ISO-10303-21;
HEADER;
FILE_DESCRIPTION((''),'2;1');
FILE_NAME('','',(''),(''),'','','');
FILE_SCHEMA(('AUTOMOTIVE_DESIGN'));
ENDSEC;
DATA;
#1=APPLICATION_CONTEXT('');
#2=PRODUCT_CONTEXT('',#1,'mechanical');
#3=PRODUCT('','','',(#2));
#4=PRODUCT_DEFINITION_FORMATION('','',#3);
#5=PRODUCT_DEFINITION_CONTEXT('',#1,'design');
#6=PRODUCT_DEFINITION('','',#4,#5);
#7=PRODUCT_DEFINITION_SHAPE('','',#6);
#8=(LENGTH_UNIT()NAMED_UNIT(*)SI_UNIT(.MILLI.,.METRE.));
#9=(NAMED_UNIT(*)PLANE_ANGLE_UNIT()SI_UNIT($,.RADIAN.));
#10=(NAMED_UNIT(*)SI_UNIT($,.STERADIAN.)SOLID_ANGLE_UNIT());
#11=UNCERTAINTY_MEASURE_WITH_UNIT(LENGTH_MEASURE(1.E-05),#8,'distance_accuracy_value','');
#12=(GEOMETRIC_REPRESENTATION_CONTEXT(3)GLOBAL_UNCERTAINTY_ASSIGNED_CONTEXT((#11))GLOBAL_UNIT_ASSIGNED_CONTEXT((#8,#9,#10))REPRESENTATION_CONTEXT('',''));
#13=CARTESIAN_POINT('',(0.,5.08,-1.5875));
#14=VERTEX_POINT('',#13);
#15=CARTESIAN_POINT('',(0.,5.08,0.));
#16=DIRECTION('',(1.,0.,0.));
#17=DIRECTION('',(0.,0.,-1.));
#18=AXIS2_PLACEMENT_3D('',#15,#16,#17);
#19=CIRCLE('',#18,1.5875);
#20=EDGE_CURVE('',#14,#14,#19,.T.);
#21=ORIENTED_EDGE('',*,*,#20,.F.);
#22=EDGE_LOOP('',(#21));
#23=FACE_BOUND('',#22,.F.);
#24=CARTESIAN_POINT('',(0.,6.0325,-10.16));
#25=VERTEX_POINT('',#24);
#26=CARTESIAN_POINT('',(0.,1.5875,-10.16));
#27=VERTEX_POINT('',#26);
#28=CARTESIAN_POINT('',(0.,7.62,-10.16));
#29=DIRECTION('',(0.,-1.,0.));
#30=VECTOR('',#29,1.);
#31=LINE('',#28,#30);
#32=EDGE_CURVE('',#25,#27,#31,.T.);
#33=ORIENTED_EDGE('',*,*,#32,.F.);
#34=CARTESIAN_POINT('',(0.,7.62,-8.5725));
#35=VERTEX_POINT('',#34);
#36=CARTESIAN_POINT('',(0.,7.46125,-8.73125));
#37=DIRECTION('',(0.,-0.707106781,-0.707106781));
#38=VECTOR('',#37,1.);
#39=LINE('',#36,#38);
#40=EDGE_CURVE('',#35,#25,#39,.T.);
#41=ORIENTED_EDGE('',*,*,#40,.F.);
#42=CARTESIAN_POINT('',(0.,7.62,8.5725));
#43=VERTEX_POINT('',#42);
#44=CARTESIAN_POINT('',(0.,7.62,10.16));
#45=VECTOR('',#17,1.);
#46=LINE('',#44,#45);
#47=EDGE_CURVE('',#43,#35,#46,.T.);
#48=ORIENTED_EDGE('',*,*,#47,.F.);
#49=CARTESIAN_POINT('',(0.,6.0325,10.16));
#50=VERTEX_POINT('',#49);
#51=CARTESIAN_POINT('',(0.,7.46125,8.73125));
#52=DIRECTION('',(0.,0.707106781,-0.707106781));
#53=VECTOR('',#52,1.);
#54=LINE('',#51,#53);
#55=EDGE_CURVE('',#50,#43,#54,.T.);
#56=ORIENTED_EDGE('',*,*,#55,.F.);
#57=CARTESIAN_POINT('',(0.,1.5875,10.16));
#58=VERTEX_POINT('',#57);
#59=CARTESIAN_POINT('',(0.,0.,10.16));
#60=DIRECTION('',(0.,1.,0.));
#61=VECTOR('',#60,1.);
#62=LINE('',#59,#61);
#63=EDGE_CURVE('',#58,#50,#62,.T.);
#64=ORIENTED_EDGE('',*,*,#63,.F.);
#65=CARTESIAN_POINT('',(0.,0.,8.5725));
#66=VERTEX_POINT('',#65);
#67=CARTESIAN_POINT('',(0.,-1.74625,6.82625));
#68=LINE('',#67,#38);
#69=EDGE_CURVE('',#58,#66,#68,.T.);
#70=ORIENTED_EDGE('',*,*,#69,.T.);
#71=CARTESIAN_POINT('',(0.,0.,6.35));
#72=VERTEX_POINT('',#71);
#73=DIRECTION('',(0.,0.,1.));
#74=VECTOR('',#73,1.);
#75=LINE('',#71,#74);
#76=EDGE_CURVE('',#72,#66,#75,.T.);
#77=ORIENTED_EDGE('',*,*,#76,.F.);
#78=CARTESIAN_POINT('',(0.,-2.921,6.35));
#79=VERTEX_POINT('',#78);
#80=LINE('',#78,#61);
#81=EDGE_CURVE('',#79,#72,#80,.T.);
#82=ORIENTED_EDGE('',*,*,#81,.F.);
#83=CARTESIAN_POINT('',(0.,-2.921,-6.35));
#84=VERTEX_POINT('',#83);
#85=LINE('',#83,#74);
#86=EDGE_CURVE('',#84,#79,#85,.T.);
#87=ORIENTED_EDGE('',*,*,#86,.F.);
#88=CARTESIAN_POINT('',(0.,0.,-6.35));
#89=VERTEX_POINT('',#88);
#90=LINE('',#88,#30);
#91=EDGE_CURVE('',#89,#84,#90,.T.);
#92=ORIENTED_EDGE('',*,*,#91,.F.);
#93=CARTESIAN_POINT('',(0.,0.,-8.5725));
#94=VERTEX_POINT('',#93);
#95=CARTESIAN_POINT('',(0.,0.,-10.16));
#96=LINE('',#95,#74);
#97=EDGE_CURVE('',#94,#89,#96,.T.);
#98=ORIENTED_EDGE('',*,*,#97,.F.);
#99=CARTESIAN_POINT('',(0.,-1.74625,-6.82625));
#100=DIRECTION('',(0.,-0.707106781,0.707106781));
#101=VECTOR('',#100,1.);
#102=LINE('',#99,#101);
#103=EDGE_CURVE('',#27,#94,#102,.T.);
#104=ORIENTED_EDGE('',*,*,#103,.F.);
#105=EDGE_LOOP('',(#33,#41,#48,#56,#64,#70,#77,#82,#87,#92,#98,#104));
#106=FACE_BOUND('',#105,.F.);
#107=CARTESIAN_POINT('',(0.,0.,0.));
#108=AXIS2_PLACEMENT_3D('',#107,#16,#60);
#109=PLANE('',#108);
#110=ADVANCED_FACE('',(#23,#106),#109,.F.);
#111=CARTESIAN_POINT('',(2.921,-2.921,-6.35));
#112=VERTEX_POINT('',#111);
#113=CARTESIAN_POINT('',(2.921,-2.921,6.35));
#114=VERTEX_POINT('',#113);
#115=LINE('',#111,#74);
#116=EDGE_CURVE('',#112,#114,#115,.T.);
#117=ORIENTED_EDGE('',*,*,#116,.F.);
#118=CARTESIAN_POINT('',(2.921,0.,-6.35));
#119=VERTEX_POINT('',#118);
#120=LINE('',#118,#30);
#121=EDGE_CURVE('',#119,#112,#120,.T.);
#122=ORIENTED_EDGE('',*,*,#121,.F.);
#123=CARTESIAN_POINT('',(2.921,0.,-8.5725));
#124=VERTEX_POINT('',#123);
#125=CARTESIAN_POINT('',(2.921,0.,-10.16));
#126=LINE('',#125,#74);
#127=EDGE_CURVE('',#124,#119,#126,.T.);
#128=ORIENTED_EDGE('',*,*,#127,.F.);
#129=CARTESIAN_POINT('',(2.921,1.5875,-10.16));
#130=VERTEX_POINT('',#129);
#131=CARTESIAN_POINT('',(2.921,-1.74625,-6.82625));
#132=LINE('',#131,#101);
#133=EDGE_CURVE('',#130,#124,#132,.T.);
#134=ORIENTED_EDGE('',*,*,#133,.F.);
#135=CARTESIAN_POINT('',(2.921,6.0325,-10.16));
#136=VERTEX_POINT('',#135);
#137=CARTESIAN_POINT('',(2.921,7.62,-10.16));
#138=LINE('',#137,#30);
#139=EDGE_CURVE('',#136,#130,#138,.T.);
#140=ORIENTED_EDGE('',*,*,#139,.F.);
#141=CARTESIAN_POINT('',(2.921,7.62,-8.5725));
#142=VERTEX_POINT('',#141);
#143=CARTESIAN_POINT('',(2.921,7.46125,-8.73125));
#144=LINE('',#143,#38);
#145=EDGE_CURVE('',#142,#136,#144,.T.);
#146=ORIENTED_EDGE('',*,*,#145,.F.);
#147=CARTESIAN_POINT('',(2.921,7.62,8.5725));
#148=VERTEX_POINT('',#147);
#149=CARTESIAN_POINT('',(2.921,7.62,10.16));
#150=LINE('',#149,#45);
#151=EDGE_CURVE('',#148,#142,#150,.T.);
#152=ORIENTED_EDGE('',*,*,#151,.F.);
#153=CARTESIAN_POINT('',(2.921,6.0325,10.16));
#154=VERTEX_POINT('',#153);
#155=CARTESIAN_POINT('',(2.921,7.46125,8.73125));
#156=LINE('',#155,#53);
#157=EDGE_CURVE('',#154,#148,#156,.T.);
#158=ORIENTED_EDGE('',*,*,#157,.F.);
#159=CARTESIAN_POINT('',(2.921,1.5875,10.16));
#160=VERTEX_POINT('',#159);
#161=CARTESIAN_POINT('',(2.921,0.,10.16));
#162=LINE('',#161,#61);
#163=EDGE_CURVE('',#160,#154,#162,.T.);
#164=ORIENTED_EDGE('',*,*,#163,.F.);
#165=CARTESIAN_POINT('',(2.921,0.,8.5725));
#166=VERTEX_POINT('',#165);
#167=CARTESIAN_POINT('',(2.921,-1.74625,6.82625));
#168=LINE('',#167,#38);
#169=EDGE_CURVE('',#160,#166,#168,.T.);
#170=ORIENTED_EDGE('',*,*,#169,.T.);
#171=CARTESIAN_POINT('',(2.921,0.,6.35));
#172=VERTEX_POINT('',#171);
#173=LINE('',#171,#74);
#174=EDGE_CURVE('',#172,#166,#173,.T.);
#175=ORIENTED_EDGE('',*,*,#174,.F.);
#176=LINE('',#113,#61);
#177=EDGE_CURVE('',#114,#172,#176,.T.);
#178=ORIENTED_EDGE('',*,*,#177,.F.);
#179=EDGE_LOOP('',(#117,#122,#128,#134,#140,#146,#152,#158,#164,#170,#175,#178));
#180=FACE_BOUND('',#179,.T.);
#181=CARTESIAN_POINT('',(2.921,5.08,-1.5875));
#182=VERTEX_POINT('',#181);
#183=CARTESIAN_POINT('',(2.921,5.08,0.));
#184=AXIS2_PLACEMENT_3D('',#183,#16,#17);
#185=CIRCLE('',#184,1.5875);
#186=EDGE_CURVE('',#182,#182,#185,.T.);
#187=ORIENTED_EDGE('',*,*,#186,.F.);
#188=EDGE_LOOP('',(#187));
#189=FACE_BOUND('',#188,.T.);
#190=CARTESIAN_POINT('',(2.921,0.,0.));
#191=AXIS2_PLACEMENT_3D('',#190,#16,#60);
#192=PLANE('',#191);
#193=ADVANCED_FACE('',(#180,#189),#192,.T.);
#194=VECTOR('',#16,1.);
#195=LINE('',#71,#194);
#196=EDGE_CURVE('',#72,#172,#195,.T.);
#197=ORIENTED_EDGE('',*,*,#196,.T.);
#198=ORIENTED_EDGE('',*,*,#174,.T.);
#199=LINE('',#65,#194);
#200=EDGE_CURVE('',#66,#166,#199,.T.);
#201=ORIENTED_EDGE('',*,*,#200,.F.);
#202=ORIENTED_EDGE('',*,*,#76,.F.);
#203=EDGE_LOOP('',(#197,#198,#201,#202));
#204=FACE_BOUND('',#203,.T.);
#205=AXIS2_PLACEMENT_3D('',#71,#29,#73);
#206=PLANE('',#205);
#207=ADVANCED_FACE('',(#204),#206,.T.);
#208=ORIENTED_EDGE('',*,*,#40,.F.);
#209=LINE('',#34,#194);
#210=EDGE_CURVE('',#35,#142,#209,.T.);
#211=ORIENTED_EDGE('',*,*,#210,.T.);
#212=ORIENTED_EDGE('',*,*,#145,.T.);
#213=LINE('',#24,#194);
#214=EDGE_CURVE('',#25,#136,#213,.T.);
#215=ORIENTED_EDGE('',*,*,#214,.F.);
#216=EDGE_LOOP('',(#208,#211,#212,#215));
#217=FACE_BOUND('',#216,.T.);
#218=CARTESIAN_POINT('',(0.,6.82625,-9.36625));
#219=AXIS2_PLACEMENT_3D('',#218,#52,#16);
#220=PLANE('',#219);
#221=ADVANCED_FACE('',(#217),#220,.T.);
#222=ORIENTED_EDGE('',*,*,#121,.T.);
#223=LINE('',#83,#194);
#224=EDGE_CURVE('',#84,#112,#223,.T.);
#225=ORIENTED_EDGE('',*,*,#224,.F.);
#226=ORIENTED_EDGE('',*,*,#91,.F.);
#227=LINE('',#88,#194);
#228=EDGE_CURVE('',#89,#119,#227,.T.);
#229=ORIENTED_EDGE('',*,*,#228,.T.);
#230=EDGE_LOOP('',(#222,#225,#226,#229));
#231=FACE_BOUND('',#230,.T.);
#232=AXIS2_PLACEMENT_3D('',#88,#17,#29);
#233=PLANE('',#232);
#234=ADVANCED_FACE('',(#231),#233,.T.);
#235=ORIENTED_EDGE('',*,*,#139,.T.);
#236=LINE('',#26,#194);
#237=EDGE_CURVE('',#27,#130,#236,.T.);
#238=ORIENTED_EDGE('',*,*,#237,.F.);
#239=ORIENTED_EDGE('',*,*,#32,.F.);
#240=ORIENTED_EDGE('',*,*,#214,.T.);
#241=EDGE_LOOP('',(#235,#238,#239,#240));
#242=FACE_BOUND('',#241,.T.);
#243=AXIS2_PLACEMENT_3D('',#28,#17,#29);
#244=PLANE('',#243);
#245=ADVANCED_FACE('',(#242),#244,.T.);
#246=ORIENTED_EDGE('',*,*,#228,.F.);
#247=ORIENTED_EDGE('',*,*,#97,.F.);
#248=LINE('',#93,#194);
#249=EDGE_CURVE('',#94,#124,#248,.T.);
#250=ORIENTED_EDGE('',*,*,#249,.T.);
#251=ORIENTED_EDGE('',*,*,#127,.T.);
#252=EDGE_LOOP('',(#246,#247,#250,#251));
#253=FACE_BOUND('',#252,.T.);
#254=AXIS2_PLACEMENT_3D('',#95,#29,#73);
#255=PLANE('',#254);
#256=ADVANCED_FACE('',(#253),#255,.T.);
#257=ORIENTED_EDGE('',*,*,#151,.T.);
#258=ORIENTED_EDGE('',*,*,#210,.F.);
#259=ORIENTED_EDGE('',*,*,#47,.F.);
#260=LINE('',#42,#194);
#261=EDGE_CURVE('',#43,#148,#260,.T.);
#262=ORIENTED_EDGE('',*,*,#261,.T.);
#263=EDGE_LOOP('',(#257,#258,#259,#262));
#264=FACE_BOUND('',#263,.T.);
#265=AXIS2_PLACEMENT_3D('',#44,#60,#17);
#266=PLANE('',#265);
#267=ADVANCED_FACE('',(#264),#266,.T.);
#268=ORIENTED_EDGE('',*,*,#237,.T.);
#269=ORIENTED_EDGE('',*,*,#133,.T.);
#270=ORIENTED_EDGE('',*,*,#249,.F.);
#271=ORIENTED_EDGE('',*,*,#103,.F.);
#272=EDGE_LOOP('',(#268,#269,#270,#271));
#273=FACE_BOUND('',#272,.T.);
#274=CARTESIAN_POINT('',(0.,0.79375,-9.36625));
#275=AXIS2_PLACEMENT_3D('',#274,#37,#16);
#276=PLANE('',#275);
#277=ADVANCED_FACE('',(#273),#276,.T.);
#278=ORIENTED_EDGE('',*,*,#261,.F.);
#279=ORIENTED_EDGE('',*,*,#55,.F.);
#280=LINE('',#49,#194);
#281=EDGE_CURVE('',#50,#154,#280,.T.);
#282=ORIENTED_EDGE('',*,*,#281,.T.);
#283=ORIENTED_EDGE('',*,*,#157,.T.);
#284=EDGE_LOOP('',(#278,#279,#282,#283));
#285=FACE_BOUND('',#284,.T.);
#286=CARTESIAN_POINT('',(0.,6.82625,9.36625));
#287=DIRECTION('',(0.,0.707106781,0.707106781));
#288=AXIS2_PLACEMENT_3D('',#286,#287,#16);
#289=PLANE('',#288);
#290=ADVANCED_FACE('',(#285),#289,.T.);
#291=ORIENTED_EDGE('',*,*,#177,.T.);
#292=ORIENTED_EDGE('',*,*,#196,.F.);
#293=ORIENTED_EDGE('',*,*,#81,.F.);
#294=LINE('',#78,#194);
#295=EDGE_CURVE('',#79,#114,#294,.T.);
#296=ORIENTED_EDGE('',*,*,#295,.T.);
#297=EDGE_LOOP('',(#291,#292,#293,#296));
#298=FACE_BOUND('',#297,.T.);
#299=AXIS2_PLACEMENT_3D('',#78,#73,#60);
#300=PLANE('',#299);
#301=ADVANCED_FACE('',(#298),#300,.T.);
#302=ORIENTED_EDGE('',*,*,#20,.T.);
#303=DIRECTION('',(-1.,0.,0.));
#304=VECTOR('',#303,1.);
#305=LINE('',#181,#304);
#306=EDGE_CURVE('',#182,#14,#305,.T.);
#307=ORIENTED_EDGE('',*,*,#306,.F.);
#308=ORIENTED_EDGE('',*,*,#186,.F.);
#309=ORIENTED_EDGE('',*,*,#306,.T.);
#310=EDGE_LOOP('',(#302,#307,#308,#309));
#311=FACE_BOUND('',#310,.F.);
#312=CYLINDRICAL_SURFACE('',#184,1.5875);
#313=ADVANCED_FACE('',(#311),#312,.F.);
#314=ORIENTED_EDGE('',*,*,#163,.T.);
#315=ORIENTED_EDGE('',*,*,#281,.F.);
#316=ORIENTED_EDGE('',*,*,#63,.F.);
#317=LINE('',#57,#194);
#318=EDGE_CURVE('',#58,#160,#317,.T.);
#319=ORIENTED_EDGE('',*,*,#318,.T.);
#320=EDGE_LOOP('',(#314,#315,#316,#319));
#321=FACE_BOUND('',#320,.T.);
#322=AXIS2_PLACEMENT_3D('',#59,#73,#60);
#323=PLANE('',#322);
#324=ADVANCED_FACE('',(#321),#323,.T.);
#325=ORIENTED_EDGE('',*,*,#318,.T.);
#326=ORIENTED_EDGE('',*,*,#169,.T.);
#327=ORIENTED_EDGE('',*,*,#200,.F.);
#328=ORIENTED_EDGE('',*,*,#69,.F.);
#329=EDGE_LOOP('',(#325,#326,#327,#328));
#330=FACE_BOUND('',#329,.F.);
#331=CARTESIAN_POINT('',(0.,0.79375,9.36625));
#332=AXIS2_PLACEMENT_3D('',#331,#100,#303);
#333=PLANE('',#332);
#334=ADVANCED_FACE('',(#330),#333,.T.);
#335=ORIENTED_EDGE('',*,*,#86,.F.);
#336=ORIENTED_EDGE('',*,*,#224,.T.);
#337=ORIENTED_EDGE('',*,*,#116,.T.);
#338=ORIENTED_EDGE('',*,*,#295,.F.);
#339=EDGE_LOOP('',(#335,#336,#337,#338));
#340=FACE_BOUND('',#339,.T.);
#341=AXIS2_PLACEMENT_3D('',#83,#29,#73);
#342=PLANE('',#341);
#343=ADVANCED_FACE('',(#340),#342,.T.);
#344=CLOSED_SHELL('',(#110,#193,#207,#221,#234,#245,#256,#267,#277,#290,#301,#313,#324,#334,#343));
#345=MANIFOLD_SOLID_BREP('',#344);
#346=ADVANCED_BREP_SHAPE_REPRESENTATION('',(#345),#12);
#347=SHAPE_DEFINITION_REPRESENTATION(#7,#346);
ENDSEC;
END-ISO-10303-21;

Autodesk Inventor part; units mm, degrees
ref_plane "YZ Plane" through (0, 0, 0) normal (1, 0, 0) x (0, 1, 0)
ref_plane "XZ Plane" through (0, 0, 0) normal (0, 1, 0) x (-1, 0, 0)
ref_plane "XY Plane" through (0, 0, 0) normal (0, 0, 1) x (1, 0, 0)
sketch "Sketch1" plane through (0, 0, 0) normal (1, 0, 0) x (0, 1, 0)
  line L0 (0, 10.16) -> (7.62, 10.16)
  line L1 (7.62, 10.16) -> (7.62, -10.16)
  line L2 (7.62, -10.16) -> (0, -10.16)
  line L3 (0, -10.16) -> (0, -6.35)
  line L4 (0, -6.35) -> (-2.921, -6.35)
  line L5 (-2.921, -6.35) -> (-2.921, 6.35)
  line L6 (-2.921, 6.35) -> (0, 6.35)
  line L7 (0, 6.35) -> (0, 10.16)
  point P0 (0, 0)
  dimension "d0" = 12.7
  dimension "d1" = 2.921
  dimension "d2" = 20.32
  dimension "d3" = 10.16
  dimension "d4" = 3.81
  dimension "d5" = 7.62
extrude "Extrusion1" add sketch "Sketch1" along normal blind 2.921
sketch "Sketch2" plane through (2.921, 0, 0) normal (1, 0, 0) x (0, 0, -1)
  circle A0 centre (0, 5.08) radius 1.5875
  point P0 (0, 0)
  dimension "d8" = 3.175
  dimension "d9" = 5.08
extrude "Extrusion2" cut sketch "Sketch2" against normal blind 2.921
chamfer "Chamfer1" distance 1.5875 angle 45 4 edges at (1.4605, 7.62, 10.16) (1.4605, 0, 10.16) (1.4605, 7.62, -10.16) (1.4605, 0, -10.16)
properties part number "batterywall"
